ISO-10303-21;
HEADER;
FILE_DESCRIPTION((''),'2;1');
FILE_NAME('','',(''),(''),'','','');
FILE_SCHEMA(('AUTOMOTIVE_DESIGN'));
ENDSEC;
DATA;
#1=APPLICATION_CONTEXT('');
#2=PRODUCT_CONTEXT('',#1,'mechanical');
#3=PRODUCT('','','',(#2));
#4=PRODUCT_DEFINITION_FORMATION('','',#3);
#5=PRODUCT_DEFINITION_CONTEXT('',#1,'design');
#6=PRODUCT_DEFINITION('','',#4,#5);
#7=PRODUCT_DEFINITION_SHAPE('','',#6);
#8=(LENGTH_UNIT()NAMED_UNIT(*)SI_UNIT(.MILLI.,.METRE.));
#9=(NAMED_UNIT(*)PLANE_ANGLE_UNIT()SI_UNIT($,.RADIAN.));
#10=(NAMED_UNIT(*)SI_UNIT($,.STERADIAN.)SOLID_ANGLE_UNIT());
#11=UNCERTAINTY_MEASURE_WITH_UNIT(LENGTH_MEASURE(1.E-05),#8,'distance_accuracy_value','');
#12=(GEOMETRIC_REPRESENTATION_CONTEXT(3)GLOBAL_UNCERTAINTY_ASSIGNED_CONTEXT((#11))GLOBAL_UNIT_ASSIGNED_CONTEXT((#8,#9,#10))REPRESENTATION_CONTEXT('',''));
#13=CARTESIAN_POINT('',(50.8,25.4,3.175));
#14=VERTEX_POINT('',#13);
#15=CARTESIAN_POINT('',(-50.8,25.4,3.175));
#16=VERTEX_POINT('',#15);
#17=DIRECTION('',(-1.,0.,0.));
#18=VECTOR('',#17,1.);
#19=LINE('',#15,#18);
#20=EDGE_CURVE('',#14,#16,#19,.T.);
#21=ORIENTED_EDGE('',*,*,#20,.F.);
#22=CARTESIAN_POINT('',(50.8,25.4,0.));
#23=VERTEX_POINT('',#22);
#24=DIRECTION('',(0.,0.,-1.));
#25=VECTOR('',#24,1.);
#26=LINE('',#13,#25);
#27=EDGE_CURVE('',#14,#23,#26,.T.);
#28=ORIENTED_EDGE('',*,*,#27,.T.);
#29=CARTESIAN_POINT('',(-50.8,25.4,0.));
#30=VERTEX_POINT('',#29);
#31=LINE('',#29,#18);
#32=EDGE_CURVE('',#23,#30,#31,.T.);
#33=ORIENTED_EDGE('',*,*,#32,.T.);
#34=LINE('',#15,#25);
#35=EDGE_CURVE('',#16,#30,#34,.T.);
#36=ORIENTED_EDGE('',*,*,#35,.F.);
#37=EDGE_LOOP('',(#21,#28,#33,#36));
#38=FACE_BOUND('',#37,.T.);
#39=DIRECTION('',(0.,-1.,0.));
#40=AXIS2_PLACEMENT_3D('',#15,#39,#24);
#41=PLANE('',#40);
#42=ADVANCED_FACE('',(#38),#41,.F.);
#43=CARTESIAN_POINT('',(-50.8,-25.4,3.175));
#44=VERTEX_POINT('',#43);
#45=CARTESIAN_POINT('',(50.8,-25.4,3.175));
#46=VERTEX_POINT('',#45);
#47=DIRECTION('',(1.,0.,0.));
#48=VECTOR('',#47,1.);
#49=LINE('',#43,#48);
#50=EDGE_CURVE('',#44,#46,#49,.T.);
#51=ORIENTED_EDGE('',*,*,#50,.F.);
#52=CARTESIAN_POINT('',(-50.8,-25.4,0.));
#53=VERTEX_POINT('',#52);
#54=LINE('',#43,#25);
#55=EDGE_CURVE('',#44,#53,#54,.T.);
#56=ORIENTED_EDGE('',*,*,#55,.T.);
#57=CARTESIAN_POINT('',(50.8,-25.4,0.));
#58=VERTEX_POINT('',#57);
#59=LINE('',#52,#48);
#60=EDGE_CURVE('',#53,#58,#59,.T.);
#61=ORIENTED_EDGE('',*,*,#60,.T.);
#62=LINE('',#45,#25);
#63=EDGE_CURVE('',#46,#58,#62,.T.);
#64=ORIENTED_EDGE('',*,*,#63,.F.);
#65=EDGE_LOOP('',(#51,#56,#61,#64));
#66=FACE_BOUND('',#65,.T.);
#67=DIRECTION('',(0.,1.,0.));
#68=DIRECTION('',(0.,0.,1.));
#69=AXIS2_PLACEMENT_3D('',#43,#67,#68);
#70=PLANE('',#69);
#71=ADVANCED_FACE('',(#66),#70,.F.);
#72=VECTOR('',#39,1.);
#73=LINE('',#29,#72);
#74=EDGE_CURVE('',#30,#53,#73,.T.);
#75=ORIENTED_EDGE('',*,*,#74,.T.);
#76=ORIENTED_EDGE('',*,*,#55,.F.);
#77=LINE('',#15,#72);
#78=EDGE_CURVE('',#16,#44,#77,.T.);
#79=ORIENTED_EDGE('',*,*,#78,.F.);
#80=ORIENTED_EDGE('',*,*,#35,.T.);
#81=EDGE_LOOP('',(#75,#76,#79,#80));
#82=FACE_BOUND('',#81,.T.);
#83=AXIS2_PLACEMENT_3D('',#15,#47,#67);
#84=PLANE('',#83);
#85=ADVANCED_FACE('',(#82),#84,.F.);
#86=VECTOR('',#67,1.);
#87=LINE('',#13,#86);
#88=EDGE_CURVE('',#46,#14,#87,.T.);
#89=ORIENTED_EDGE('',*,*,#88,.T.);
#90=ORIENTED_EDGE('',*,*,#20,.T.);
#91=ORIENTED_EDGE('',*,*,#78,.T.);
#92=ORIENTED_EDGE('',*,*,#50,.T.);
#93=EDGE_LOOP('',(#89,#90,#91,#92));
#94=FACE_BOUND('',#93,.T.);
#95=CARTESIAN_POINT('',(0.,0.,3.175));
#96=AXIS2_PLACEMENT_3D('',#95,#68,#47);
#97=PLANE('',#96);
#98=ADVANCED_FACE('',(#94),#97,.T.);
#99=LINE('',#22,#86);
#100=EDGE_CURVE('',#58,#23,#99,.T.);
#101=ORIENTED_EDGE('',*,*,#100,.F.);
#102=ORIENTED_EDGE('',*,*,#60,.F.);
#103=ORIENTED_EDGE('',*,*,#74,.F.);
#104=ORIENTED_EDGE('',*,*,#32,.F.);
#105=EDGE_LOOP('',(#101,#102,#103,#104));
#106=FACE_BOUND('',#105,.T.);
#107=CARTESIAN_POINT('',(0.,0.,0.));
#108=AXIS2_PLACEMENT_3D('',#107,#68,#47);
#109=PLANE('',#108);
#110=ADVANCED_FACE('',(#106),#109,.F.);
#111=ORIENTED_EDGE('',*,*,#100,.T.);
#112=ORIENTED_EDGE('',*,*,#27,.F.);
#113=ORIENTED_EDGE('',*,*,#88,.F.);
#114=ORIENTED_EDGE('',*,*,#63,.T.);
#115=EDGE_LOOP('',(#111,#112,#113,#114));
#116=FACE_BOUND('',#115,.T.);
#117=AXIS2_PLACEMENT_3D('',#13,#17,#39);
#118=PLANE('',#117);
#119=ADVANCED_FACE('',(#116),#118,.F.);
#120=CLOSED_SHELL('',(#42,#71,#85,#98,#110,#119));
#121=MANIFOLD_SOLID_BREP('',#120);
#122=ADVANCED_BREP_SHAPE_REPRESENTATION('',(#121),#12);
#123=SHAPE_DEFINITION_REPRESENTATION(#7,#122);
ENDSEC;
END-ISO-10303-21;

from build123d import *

# Parameters (mm, degrees)
SKETCH1_W           = 101.6
SKETCH1_H           = 50.8
BOSS_EXTRUDE1_DEPTH = 3.175


with BuildPart() as part:
    # Sketch1 → Boss-Extrude1 (new body)
    with BuildSketch(Plane.XY):
        Rectangle(SKETCH1_W, SKETCH1_H)
    extrude(amount=BOSS_EXTRUDE1_DEPTH)


solid = part.part
